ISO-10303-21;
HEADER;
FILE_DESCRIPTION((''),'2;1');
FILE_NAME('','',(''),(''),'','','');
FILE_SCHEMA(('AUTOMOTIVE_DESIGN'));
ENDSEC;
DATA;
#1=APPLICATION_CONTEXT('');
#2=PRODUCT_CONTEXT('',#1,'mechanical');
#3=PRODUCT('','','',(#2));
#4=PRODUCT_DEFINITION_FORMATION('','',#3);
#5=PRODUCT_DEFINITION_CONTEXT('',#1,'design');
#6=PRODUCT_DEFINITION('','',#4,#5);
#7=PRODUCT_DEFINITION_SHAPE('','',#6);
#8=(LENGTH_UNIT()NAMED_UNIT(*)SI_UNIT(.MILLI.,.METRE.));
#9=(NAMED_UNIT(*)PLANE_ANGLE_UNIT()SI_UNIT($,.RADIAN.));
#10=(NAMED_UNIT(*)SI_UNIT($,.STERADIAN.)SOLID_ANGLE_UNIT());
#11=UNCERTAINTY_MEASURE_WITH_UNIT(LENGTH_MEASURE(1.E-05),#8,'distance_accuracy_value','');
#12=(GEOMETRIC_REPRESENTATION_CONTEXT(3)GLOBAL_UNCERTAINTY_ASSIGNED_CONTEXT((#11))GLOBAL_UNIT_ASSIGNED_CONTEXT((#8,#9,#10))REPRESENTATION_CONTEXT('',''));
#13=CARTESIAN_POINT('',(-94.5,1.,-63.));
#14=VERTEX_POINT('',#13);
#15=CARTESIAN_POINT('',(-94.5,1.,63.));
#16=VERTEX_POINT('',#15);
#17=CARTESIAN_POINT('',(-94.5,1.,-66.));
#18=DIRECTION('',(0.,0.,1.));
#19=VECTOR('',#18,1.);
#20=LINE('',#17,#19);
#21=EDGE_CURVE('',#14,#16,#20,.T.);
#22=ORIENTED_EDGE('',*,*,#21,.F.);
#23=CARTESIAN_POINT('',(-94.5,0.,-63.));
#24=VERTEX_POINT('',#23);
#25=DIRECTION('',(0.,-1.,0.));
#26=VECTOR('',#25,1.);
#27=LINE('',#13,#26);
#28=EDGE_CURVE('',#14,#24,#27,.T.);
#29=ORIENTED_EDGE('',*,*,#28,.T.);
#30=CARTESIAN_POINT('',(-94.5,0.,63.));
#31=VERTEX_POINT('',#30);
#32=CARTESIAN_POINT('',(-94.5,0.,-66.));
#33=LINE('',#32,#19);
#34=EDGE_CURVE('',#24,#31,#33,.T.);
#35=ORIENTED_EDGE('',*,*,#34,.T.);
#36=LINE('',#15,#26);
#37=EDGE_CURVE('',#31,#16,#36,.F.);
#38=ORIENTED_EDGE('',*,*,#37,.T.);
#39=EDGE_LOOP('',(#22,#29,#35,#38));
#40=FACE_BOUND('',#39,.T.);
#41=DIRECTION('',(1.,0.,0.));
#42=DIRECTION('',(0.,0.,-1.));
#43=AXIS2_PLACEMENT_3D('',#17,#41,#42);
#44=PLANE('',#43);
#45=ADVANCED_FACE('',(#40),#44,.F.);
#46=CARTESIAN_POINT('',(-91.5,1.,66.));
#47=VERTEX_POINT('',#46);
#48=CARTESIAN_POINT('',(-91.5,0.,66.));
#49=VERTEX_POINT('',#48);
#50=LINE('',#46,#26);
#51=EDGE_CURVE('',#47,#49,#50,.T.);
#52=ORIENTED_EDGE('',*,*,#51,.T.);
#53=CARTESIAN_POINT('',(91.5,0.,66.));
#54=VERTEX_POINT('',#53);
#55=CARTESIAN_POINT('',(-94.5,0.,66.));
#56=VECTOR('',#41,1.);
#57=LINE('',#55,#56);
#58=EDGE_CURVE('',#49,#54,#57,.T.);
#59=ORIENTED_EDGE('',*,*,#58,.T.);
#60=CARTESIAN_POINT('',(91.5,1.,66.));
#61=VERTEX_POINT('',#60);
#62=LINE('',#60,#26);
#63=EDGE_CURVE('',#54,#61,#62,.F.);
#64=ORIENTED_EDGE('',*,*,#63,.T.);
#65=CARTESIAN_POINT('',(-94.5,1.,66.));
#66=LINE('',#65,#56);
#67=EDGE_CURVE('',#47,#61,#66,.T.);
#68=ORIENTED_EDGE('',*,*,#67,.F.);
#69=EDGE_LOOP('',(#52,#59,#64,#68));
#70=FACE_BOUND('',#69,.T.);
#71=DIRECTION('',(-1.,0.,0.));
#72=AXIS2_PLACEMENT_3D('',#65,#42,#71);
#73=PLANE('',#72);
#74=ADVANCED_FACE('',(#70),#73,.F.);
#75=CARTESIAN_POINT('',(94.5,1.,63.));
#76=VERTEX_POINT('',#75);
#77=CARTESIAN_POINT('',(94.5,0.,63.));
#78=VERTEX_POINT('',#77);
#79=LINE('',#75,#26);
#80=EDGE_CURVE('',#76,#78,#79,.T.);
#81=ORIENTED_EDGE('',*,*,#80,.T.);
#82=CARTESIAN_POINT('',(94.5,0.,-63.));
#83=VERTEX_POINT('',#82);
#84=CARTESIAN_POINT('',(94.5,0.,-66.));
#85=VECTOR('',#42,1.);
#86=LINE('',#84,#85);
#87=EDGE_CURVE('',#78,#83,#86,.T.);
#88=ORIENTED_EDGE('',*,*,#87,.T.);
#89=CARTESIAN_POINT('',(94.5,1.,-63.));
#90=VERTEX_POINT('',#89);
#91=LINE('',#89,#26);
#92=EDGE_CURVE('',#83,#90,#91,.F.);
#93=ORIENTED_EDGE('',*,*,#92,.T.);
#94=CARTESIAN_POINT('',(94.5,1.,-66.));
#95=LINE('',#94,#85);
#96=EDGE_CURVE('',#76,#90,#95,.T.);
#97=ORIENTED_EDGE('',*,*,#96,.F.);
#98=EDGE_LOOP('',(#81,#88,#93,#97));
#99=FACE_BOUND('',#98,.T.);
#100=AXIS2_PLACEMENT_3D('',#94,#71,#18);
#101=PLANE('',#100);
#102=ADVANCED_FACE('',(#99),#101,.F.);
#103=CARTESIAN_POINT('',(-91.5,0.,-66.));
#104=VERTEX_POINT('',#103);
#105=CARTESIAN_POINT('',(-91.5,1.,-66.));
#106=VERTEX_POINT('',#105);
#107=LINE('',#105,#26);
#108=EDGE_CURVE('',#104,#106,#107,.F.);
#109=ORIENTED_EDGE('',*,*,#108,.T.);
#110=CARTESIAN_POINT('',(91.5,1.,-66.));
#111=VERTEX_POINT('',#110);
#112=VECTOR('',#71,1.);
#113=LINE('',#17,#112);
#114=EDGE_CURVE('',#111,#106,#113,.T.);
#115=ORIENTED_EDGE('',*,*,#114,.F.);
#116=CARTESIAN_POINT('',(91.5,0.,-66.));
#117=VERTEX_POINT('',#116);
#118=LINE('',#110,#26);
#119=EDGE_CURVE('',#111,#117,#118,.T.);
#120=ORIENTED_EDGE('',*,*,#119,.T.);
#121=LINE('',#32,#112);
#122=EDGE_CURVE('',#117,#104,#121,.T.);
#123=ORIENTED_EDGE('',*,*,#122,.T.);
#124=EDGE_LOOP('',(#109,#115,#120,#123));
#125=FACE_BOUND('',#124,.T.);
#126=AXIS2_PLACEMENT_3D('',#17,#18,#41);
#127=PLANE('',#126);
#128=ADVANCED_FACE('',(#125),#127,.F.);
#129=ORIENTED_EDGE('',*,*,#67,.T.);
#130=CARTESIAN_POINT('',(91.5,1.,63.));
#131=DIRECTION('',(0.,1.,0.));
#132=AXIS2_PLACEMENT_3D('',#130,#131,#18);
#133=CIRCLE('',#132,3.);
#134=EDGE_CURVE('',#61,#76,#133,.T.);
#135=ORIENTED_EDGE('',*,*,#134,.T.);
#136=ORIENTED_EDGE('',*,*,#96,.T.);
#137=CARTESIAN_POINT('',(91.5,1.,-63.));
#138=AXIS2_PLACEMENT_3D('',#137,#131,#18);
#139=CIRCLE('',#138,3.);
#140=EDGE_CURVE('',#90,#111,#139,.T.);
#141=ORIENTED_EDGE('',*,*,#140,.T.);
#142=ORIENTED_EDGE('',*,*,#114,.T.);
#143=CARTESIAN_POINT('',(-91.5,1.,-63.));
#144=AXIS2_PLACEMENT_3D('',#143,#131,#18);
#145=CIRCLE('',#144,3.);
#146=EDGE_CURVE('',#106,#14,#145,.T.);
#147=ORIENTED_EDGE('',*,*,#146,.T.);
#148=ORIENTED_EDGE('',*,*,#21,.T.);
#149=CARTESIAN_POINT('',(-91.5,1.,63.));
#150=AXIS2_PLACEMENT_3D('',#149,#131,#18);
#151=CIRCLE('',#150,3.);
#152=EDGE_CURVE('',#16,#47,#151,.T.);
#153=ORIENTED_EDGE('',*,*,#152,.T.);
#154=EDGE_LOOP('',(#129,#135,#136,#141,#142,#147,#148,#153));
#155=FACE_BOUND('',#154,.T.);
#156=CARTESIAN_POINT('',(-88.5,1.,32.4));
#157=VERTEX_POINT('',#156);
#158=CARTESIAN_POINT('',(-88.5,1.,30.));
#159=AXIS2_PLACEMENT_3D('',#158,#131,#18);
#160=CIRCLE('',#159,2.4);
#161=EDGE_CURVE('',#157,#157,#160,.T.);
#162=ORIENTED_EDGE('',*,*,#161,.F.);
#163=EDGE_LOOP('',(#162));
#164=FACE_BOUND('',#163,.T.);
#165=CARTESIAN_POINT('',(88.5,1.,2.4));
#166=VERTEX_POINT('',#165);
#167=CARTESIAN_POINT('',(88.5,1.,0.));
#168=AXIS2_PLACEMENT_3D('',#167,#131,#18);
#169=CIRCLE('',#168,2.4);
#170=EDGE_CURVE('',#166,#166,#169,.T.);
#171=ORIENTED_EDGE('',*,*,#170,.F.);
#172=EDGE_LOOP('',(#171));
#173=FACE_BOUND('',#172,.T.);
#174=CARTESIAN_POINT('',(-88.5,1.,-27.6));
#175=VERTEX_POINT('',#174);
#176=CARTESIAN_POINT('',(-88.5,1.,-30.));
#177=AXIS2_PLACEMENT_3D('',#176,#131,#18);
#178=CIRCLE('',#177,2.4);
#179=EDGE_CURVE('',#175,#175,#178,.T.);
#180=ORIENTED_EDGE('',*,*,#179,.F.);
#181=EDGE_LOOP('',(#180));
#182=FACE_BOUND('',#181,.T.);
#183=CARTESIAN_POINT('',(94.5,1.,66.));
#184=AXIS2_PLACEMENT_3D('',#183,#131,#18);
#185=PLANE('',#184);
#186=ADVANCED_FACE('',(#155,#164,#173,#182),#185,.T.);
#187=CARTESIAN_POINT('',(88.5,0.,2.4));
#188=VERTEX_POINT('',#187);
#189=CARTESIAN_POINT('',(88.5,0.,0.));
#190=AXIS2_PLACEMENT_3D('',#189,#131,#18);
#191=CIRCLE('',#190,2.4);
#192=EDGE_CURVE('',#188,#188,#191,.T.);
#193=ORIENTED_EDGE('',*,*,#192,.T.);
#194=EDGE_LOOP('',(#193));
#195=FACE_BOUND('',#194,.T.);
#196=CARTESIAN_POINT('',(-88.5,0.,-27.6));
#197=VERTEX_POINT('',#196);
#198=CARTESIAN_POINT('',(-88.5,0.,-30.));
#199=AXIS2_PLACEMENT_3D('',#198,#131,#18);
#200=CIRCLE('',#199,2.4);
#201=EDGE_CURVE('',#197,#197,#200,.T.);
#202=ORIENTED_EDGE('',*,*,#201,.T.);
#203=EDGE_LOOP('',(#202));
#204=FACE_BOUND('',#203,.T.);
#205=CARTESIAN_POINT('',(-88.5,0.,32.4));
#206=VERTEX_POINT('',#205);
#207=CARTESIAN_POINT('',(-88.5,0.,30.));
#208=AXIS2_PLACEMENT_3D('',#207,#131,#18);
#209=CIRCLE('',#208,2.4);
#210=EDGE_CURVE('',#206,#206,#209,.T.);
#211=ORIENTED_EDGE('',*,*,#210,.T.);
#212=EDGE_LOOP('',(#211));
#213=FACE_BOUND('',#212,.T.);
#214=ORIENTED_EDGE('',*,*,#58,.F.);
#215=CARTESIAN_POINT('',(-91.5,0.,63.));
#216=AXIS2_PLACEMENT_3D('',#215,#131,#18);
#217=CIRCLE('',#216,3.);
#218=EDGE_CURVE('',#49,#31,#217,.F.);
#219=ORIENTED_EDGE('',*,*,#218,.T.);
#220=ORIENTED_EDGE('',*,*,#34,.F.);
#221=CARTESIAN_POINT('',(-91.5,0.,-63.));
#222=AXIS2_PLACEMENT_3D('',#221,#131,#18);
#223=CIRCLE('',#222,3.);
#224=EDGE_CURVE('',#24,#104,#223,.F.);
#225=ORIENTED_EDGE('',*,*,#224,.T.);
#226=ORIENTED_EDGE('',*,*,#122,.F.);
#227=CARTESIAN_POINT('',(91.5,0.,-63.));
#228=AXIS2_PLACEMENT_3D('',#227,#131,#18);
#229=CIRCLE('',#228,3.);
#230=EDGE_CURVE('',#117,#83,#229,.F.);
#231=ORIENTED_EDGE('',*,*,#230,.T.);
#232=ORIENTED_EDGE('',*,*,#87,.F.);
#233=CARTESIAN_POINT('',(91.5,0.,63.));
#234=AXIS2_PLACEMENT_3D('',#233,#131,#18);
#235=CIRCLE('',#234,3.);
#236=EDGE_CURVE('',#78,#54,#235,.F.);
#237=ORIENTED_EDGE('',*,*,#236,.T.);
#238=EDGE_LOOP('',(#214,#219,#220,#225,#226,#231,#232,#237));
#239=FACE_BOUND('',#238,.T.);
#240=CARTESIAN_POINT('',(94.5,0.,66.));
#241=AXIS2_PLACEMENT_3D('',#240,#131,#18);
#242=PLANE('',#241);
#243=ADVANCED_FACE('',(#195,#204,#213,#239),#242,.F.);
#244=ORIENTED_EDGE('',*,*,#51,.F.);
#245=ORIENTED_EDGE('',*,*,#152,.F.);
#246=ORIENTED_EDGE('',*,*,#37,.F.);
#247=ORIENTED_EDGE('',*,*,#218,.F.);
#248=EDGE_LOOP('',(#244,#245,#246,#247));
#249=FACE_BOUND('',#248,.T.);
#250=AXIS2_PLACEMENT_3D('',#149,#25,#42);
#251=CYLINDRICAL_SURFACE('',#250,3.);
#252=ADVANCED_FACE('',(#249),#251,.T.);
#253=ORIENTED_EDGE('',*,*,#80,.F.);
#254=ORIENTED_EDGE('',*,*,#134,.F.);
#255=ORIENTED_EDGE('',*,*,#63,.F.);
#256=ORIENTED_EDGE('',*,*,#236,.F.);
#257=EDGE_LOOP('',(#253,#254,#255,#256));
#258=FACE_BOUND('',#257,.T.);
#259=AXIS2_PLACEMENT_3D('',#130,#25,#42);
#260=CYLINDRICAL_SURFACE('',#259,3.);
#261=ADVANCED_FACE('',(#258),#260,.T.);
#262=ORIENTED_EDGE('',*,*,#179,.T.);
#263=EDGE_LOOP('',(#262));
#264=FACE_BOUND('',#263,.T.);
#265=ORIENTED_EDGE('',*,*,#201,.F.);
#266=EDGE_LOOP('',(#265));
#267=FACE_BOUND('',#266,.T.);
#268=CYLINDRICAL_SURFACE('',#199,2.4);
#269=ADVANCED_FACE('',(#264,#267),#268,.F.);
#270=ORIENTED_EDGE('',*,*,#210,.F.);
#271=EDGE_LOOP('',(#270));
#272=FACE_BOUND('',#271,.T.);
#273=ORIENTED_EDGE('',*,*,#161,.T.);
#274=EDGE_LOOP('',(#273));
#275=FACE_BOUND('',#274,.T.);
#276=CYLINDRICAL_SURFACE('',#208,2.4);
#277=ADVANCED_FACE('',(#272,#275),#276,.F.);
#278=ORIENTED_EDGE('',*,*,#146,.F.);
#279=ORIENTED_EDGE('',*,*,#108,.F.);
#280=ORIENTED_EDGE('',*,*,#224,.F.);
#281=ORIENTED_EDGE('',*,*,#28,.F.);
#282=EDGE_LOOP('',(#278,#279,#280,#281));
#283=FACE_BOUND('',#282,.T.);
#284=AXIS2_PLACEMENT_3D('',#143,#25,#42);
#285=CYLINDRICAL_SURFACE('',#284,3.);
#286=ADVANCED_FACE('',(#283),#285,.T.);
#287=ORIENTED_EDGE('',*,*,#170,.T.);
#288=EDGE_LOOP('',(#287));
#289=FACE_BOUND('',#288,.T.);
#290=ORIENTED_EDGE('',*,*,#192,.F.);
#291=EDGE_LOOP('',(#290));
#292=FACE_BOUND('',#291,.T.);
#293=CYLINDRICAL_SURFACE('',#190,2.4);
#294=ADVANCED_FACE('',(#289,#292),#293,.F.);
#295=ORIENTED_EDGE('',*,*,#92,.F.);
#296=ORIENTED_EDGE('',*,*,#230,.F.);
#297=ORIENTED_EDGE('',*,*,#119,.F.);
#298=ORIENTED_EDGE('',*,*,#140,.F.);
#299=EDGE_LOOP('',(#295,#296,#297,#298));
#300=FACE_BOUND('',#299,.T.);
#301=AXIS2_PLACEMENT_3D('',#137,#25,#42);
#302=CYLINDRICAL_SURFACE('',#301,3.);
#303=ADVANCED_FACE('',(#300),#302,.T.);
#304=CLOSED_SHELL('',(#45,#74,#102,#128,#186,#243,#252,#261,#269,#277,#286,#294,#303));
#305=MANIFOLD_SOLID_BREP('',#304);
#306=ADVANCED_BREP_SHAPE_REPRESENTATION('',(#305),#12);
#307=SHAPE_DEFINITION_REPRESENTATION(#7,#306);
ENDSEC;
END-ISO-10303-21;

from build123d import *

# Parameters (mm, degrees)
SKETCH1_W           = 189
SKETCH1_H           = 132
BOSS_EXTRUDE1_DEPTH = 1
SKETCH3_R           = 2.4
CUT_EXTRUDE1_DEPTH  = 116.270334432
FILLET1_R           = 3


with BuildPart() as part:
    # Sketch1 → Boss-Extrude1 (new body)
    with BuildSketch(Plane(origin=(0, 0, 0), x_dir=(1, 0, 0), z_dir=(0, 1, 0))):
        Rectangle(SKETCH1_W, SKETCH1_H)
    extrude(amount=BOSS_EXTRUDE1_DEPTH)

    # Sketch3 → Cut-Extrude1 (cut, through all)
    with BuildSketch(Plane(origin=(0, 1, 0), x_dir=(1, 0, 0), z_dir=(0, 1, 0))):
        with Locations(Location((88.5, 0, 0), (0, 0, 270))):
            Circle(SKETCH3_R)
        with Locations(Location((-88.5, -30, 0), (0, 0, 270))):
            Circle(SKETCH3_R)
        with Locations(Location((-88.5, 30, 0), (0, 0, 270))):
            Circle(SKETCH3_R)
    extrude(amount=-CUT_EXTRUDE1_DEPTH, mode=Mode.SUBTRACT)

    # Fillet1
    fillet1_edges = [part.edges().sort_by_distance(p)[0] for p in [
        (94.5, 0.5, 66),
        (-94.5, 0.5, 66),
        (-94.5, 0.5, -66),
        (94.5, 0.5, -66),
    ]]
    fillet(fillet1_edges, radius=FILLET1_R)


solid = part.part
